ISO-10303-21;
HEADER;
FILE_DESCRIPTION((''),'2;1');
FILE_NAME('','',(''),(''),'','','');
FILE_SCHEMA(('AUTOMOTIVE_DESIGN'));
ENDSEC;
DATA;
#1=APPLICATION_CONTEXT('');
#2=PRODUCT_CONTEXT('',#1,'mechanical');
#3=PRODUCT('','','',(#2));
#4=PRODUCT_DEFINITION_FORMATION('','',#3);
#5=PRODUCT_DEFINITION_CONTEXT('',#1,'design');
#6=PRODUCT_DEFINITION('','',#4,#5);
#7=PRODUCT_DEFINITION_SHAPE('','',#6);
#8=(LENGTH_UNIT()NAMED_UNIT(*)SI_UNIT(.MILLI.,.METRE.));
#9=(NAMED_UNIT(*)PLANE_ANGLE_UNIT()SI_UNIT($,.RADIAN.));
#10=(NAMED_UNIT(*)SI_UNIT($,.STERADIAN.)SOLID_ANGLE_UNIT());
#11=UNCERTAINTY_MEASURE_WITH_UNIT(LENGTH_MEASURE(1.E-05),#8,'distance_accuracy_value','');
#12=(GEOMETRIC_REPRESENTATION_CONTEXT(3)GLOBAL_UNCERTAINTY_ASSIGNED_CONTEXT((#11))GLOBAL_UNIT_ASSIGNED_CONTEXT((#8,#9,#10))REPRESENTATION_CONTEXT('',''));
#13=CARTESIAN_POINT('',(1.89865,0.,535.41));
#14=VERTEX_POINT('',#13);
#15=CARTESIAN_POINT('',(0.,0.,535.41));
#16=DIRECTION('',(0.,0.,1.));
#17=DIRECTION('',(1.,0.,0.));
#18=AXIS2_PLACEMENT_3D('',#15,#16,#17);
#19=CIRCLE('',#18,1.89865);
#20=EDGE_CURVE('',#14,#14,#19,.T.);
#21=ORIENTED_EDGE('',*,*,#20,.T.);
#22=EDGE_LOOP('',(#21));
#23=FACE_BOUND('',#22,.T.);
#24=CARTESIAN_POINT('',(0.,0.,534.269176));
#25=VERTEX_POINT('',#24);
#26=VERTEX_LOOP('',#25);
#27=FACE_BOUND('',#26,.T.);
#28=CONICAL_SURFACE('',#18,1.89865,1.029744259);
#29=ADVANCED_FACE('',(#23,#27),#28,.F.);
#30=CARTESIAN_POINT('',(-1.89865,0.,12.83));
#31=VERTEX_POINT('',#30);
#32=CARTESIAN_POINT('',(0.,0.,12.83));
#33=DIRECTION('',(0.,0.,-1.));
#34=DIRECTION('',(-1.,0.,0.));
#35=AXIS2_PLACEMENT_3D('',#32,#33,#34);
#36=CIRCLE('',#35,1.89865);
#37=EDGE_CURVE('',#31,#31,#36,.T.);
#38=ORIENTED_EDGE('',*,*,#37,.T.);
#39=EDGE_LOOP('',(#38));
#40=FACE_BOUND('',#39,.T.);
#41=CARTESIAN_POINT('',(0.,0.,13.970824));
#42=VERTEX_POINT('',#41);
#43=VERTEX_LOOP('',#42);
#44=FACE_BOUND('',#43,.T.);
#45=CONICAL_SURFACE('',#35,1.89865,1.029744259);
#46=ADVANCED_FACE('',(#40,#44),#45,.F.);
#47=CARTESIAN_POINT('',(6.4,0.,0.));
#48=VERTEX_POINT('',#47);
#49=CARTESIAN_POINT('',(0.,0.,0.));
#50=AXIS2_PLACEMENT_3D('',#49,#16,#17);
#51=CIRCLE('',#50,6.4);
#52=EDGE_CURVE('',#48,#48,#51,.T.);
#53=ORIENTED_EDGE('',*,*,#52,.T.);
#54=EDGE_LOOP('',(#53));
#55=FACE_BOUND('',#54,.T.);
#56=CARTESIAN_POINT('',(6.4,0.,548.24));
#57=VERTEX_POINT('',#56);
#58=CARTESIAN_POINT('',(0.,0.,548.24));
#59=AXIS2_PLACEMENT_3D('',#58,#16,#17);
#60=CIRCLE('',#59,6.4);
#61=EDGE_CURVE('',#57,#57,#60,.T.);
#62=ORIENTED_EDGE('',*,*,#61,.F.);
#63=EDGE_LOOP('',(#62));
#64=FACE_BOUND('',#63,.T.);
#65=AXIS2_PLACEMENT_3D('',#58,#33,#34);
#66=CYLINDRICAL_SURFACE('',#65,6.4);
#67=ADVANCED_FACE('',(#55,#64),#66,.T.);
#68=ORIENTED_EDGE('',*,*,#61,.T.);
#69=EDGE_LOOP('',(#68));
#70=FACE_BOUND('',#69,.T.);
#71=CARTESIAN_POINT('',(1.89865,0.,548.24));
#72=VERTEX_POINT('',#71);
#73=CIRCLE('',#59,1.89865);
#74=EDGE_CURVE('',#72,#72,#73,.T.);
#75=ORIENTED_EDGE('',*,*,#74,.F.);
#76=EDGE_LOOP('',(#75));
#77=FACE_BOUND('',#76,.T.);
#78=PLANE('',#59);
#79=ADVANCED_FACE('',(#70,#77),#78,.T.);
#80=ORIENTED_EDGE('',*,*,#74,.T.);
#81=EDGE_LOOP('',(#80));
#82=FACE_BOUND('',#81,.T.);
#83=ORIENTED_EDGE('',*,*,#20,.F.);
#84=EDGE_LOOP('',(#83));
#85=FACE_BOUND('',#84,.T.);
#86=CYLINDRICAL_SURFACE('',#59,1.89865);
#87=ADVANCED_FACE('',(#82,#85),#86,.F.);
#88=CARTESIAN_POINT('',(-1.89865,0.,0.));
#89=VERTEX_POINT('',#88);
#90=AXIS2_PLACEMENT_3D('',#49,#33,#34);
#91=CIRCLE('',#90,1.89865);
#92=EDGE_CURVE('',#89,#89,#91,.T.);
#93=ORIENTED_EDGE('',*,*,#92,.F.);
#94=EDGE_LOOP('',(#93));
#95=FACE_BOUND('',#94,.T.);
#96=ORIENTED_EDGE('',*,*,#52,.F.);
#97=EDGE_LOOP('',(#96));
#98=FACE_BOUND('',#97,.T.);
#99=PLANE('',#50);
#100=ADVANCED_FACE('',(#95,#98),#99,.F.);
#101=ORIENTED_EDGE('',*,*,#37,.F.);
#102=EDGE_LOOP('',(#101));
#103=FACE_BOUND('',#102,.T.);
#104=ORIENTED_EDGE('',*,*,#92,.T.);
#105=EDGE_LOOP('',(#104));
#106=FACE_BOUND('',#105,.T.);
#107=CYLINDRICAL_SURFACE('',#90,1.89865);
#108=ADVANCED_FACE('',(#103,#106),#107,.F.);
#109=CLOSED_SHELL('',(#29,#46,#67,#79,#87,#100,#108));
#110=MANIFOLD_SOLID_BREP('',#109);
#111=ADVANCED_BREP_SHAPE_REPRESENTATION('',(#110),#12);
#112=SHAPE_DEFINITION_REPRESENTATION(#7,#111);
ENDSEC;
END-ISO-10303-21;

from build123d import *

# Parameters (mm, degrees)
SKETCH1_R                  = 6.4
BOSS_EXTRUDE1_DEPTH        = 548.24
F_10_24_TAPPED_HOLE1_D     = 3.7973
F_10_24_TAPPED_HOLE1_DEPTH = 12.83
F_10_24_TAPPED_HOLE1_TIP   = 1.140824014
F_10_24_TAPPED_HOLE2_D     = 3.7973
F_10_24_TAPPED_HOLE2_DEPTH = 12.83
F_10_24_TAPPED_HOLE2_TIP   = 1.140824014


with BuildPart() as part:
    # Sketch1 → Boss-Extrude1 (new body)
    with BuildSketch(Plane.XY):
        Circle(SKETCH1_R)
    extrude(amount=BOSS_EXTRUDE1_DEPTH)

    # #10-24 Tapped Hole1
    with Locations(Plane(origin=(0, 0, 0), x_dir=(-1, 0, 0), z_dir=(0, 0, -1))):
        with Locations((0, 0)):
            Hole(F_10_24_TAPPED_HOLE1_D / 2, depth=F_10_24_TAPPED_HOLE1_DEPTH)
            with Locations((0, 0, -(F_10_24_TAPPED_HOLE1_DEPTH + F_10_24_TAPPED_HOLE1_TIP / 2))):  # 118° drill point
                Cone(0, F_10_24_TAPPED_HOLE1_D / 2, F_10_24_TAPPED_HOLE1_TIP, mode=Mode.SUBTRACT)

    # #10-24 Tapped Hole2
    with Locations(Plane.XY.offset(548.24)):
        with Locations((0, 0)):
            Hole(F_10_24_TAPPED_HOLE2_D / 2, depth=F_10_24_TAPPED_HOLE2_DEPTH)
            with Locations((0, 0, -(F_10_24_TAPPED_HOLE2_DEPTH + F_10_24_TAPPED_HOLE2_TIP / 2))):  # 118° drill point
                Cone(0, F_10_24_TAPPED_HOLE2_D / 2, F_10_24_TAPPED_HOLE2_TIP, mode=Mode.SUBTRACT)


solid = part.part
